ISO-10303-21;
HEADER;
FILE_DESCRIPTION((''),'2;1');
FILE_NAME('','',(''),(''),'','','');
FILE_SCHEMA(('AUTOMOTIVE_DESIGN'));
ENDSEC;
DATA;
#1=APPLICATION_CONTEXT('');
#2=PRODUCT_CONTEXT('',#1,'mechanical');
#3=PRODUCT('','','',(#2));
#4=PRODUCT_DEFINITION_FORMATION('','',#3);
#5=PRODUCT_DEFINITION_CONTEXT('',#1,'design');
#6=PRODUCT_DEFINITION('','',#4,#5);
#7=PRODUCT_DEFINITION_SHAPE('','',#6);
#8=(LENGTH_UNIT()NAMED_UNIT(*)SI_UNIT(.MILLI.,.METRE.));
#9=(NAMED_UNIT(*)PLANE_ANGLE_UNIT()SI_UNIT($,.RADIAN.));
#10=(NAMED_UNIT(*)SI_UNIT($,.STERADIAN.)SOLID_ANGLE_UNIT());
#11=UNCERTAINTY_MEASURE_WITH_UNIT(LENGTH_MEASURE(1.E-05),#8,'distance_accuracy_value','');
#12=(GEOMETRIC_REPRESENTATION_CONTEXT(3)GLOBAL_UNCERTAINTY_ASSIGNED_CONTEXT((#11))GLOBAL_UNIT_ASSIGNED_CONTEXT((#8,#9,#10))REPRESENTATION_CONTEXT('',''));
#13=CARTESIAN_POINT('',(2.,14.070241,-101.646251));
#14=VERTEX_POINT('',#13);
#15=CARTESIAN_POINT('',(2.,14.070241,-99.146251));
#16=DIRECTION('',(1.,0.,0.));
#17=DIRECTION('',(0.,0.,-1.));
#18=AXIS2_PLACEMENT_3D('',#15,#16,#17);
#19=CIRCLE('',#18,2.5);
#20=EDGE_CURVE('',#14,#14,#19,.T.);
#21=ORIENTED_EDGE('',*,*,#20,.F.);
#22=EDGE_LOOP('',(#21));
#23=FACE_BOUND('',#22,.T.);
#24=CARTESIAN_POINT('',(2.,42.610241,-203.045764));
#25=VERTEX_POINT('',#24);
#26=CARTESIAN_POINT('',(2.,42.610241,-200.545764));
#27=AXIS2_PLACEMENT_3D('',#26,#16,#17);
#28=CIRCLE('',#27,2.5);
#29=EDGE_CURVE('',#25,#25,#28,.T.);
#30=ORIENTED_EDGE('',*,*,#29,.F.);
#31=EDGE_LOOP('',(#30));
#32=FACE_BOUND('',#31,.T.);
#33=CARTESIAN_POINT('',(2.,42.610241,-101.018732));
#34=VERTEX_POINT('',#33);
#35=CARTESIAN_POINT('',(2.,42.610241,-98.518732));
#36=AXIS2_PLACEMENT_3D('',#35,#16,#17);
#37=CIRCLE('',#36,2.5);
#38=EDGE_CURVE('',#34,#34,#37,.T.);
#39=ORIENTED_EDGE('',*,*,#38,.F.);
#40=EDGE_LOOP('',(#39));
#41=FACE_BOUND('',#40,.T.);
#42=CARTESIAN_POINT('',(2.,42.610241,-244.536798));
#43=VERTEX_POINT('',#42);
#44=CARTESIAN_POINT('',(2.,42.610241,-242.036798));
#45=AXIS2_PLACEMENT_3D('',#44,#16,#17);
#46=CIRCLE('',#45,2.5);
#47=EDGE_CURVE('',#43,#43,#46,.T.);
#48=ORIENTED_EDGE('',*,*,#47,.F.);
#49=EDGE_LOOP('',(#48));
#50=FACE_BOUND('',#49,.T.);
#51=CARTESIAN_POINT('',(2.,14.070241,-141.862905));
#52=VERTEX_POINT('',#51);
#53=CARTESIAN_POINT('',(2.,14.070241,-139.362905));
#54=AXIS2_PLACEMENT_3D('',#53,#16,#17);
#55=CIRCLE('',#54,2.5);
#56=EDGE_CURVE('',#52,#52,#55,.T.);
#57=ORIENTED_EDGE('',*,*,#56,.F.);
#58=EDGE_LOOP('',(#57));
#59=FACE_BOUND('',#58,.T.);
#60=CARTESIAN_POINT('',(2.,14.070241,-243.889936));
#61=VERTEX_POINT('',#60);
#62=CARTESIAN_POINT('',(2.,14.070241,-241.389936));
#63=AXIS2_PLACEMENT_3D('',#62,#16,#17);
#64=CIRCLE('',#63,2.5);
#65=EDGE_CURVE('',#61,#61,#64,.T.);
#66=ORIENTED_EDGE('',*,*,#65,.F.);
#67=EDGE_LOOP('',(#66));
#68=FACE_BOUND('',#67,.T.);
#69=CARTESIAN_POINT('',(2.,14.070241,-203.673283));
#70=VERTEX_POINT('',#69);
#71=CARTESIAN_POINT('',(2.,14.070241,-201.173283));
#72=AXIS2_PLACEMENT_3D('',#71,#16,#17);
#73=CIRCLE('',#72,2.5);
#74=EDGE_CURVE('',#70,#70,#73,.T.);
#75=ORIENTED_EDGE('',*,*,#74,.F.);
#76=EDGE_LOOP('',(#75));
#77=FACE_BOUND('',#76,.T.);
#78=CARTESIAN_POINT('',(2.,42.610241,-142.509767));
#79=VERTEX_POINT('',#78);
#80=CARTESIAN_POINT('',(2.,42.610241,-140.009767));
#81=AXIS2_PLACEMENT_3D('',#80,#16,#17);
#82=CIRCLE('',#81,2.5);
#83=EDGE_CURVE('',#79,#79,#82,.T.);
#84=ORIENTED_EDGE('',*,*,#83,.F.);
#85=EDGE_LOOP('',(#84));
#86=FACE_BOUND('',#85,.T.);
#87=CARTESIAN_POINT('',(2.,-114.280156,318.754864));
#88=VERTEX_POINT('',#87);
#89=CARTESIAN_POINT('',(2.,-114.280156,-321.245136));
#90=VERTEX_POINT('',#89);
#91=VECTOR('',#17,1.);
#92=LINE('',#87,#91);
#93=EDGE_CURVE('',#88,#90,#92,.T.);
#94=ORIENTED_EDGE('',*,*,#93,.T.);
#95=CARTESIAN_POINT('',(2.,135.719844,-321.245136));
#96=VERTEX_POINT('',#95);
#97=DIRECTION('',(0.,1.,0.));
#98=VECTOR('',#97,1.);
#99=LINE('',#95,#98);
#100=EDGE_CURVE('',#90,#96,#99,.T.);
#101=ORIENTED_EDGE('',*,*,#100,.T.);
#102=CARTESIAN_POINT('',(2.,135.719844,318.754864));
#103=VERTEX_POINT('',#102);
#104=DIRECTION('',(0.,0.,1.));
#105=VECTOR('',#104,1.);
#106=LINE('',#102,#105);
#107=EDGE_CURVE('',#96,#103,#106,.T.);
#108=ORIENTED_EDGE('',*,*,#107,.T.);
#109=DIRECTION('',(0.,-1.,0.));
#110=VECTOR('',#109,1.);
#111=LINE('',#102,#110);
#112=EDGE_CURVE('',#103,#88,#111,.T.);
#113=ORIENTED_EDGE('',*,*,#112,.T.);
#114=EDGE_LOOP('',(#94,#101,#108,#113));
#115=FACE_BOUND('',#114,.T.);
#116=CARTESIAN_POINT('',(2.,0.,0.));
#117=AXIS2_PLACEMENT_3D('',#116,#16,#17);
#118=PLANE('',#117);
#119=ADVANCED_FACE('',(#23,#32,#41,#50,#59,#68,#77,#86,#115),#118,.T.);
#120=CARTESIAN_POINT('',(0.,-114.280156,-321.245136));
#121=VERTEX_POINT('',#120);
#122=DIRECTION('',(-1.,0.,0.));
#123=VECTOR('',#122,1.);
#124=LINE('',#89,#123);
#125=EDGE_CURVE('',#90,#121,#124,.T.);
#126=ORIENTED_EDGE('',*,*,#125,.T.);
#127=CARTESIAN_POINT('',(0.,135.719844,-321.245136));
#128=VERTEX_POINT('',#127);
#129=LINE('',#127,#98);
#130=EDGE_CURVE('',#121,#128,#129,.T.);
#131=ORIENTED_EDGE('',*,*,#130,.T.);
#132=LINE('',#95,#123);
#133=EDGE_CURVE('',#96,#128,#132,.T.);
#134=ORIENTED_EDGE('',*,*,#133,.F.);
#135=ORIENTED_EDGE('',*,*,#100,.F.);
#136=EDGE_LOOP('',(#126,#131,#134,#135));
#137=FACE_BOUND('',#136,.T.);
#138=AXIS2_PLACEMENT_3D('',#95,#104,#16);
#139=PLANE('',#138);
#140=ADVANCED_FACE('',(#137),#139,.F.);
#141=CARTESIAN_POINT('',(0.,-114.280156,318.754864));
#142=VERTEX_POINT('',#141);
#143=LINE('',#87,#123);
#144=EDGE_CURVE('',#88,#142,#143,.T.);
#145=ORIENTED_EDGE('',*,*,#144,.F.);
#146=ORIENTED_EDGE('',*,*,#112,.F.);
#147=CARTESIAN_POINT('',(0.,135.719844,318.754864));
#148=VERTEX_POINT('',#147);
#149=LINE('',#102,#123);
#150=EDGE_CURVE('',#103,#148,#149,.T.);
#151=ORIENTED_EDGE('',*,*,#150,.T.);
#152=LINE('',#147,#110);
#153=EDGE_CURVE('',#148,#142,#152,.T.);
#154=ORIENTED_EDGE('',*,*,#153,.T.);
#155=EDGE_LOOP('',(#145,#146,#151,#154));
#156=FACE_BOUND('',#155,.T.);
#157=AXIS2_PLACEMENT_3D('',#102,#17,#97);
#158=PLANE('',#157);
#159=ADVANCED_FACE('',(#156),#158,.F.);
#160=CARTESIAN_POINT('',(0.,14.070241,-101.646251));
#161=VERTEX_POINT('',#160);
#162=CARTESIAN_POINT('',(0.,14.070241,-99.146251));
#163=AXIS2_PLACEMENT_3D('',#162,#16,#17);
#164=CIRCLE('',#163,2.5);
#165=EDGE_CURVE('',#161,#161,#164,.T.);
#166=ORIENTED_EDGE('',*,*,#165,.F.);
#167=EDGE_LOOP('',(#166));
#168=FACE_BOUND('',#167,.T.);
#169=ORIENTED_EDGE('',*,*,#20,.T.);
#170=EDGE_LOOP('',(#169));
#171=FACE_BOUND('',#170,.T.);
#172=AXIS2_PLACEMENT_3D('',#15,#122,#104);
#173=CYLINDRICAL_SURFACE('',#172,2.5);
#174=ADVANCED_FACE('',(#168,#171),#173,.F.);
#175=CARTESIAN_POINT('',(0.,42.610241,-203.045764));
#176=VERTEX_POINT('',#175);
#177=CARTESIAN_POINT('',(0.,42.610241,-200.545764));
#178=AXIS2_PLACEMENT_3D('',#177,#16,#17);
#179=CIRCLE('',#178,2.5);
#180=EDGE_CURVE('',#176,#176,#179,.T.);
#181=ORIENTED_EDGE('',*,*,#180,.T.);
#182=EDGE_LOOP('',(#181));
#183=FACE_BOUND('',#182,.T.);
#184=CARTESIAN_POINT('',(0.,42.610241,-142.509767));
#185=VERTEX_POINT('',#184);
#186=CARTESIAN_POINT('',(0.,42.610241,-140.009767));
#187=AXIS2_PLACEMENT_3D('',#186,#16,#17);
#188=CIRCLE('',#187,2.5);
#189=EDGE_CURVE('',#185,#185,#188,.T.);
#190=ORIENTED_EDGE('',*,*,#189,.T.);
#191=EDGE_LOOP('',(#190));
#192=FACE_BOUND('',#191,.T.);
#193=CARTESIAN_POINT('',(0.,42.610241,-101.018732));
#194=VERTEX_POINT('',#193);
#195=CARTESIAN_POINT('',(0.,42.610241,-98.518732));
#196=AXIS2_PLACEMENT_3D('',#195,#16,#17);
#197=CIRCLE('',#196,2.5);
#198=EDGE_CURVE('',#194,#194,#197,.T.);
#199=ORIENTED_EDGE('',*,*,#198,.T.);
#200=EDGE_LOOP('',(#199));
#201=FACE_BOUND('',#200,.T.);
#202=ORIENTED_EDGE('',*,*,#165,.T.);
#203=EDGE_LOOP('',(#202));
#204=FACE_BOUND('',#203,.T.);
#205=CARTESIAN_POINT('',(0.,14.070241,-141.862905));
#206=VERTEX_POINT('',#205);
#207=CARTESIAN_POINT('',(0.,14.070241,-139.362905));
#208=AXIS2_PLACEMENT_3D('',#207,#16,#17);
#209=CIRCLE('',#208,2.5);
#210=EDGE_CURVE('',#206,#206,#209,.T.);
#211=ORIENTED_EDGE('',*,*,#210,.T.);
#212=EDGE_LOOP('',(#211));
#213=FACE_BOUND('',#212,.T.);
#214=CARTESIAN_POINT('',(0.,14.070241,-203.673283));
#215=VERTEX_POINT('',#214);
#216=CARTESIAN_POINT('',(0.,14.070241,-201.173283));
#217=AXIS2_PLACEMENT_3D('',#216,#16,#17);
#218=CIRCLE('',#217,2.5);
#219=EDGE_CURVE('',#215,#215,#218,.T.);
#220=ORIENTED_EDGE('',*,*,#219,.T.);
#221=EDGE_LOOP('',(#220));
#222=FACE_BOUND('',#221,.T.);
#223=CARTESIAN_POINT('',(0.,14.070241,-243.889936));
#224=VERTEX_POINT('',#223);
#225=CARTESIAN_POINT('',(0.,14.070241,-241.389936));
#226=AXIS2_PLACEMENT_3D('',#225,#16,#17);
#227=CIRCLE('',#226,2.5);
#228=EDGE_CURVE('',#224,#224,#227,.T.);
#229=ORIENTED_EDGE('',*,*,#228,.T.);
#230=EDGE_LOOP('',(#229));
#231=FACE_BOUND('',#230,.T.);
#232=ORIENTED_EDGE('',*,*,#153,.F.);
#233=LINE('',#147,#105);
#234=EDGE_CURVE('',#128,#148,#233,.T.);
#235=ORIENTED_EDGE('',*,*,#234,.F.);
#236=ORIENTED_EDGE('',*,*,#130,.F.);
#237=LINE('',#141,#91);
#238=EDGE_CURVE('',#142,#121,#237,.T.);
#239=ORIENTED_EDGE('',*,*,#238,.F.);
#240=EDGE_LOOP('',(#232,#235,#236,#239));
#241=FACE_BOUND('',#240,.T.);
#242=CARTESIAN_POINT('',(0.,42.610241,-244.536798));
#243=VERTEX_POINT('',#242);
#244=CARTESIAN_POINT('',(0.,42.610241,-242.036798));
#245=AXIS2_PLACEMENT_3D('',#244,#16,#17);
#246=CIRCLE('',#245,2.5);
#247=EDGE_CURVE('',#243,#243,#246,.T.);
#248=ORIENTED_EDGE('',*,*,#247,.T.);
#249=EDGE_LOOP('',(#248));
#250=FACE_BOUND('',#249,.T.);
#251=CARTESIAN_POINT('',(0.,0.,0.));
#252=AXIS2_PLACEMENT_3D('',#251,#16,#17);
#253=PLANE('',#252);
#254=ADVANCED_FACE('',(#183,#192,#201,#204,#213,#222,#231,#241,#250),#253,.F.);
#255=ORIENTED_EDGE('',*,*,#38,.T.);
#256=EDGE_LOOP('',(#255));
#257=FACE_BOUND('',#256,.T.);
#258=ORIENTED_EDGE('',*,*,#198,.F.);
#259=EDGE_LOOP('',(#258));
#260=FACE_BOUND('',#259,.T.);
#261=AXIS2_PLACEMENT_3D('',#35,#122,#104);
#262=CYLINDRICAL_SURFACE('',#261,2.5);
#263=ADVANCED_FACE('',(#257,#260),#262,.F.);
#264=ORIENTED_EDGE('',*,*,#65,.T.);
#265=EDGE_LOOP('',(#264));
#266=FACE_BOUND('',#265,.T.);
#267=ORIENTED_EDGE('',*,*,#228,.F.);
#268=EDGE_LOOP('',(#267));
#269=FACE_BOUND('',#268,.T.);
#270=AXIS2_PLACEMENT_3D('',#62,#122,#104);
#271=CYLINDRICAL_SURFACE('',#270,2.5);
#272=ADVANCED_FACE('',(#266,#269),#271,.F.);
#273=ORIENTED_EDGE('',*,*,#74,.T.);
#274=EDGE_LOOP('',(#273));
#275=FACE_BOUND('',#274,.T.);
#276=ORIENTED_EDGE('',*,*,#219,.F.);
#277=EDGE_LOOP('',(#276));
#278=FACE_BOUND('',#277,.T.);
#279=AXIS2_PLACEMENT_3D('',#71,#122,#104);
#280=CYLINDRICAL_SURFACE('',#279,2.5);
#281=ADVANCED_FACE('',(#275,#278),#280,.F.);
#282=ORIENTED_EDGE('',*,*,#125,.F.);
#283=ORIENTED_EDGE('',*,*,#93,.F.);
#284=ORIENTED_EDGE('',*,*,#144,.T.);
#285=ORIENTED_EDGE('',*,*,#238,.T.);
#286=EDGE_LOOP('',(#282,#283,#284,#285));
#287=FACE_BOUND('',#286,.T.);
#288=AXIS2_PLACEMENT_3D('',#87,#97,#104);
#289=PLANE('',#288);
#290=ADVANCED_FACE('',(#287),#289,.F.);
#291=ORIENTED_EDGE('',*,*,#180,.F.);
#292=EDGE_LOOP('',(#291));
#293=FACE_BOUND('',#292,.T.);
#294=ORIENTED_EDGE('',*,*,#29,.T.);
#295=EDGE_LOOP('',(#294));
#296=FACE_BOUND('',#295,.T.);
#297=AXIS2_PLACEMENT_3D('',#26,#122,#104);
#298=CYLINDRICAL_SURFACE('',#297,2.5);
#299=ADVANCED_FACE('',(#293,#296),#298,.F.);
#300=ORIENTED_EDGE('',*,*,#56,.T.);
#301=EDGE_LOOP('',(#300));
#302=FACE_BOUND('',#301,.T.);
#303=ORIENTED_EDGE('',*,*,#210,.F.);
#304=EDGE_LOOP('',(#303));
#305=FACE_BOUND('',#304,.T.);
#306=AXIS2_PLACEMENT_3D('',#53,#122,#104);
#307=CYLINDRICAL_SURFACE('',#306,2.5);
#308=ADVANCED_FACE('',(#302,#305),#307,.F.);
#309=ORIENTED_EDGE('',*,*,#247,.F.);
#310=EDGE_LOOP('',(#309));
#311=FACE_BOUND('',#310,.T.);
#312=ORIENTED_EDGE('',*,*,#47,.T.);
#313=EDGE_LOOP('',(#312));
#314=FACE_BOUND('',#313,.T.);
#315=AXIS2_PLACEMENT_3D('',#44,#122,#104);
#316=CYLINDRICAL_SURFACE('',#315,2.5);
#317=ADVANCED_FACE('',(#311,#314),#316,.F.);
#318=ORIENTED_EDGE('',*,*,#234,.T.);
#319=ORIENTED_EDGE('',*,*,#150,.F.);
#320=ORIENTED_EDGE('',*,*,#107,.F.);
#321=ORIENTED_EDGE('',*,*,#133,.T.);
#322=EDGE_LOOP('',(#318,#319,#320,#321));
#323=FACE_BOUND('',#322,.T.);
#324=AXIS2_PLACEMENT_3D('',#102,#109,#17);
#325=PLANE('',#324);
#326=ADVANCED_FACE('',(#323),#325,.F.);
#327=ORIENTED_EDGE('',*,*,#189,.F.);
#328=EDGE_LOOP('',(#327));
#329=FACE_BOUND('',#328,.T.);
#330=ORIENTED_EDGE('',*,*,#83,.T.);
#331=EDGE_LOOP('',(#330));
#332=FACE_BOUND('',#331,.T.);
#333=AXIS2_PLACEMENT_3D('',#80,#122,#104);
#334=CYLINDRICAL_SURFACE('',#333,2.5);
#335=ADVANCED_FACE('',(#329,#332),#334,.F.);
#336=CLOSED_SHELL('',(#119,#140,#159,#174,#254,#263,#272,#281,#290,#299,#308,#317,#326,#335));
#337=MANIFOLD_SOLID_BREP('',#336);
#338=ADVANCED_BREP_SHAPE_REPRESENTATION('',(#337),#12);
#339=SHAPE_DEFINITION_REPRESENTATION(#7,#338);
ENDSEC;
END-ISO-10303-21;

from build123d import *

# Parameters (mm, degrees)
SKETCH1_W           = 640
SKETCH1_H           = 250
SKETCH1_R           = 2.5
BOSS_EXTRUDE1_DEPTH = 2


with BuildPart() as part:
    # Sketch1 → Boss-Extrude1 (new body)
    with BuildSketch(Plane(origin=(0, 0, 0), x_dir=(0, 0, -1), z_dir=(1, 0, 0))):
        with Locations((1.245136187, 10.719844358)):
            Rectangle(SKETCH1_W, SKETCH1_H)
        with Locations((98.518732357, 42.610241257)):
            Circle(SKETCH1_R, mode=Mode.SUBTRACT)
        with Locations((140.009766973, 42.610241257)):
            Circle(SKETCH1_R, mode=Mode.SUBTRACT)
        with Locations((99.146251242, 14.070241257)):
            Circle(SKETCH1_R, mode=Mode.SUBTRACT)
        with Locations((139.36290493, 14.070241257)):
            Circle(SKETCH1_R, mode=Mode.SUBTRACT)
        with Locations((200.545763818, 42.610241257)):
            Circle(SKETCH1_R, mode=Mode.SUBTRACT)
        with Locations((201.173282704, 14.070241257)):
            Circle(SKETCH1_R, mode=Mode.SUBTRACT)
        with Locations((241.389936391, 14.070241257)):
            Circle(SKETCH1_R, mode=Mode.SUBTRACT)
        with Locations((242.036798434, 42.610241257)):
            Circle(SKETCH1_R, mode=Mode.SUBTRACT)
    extrude(amount=BOSS_EXTRUDE1_DEPTH)


solid = part.part
